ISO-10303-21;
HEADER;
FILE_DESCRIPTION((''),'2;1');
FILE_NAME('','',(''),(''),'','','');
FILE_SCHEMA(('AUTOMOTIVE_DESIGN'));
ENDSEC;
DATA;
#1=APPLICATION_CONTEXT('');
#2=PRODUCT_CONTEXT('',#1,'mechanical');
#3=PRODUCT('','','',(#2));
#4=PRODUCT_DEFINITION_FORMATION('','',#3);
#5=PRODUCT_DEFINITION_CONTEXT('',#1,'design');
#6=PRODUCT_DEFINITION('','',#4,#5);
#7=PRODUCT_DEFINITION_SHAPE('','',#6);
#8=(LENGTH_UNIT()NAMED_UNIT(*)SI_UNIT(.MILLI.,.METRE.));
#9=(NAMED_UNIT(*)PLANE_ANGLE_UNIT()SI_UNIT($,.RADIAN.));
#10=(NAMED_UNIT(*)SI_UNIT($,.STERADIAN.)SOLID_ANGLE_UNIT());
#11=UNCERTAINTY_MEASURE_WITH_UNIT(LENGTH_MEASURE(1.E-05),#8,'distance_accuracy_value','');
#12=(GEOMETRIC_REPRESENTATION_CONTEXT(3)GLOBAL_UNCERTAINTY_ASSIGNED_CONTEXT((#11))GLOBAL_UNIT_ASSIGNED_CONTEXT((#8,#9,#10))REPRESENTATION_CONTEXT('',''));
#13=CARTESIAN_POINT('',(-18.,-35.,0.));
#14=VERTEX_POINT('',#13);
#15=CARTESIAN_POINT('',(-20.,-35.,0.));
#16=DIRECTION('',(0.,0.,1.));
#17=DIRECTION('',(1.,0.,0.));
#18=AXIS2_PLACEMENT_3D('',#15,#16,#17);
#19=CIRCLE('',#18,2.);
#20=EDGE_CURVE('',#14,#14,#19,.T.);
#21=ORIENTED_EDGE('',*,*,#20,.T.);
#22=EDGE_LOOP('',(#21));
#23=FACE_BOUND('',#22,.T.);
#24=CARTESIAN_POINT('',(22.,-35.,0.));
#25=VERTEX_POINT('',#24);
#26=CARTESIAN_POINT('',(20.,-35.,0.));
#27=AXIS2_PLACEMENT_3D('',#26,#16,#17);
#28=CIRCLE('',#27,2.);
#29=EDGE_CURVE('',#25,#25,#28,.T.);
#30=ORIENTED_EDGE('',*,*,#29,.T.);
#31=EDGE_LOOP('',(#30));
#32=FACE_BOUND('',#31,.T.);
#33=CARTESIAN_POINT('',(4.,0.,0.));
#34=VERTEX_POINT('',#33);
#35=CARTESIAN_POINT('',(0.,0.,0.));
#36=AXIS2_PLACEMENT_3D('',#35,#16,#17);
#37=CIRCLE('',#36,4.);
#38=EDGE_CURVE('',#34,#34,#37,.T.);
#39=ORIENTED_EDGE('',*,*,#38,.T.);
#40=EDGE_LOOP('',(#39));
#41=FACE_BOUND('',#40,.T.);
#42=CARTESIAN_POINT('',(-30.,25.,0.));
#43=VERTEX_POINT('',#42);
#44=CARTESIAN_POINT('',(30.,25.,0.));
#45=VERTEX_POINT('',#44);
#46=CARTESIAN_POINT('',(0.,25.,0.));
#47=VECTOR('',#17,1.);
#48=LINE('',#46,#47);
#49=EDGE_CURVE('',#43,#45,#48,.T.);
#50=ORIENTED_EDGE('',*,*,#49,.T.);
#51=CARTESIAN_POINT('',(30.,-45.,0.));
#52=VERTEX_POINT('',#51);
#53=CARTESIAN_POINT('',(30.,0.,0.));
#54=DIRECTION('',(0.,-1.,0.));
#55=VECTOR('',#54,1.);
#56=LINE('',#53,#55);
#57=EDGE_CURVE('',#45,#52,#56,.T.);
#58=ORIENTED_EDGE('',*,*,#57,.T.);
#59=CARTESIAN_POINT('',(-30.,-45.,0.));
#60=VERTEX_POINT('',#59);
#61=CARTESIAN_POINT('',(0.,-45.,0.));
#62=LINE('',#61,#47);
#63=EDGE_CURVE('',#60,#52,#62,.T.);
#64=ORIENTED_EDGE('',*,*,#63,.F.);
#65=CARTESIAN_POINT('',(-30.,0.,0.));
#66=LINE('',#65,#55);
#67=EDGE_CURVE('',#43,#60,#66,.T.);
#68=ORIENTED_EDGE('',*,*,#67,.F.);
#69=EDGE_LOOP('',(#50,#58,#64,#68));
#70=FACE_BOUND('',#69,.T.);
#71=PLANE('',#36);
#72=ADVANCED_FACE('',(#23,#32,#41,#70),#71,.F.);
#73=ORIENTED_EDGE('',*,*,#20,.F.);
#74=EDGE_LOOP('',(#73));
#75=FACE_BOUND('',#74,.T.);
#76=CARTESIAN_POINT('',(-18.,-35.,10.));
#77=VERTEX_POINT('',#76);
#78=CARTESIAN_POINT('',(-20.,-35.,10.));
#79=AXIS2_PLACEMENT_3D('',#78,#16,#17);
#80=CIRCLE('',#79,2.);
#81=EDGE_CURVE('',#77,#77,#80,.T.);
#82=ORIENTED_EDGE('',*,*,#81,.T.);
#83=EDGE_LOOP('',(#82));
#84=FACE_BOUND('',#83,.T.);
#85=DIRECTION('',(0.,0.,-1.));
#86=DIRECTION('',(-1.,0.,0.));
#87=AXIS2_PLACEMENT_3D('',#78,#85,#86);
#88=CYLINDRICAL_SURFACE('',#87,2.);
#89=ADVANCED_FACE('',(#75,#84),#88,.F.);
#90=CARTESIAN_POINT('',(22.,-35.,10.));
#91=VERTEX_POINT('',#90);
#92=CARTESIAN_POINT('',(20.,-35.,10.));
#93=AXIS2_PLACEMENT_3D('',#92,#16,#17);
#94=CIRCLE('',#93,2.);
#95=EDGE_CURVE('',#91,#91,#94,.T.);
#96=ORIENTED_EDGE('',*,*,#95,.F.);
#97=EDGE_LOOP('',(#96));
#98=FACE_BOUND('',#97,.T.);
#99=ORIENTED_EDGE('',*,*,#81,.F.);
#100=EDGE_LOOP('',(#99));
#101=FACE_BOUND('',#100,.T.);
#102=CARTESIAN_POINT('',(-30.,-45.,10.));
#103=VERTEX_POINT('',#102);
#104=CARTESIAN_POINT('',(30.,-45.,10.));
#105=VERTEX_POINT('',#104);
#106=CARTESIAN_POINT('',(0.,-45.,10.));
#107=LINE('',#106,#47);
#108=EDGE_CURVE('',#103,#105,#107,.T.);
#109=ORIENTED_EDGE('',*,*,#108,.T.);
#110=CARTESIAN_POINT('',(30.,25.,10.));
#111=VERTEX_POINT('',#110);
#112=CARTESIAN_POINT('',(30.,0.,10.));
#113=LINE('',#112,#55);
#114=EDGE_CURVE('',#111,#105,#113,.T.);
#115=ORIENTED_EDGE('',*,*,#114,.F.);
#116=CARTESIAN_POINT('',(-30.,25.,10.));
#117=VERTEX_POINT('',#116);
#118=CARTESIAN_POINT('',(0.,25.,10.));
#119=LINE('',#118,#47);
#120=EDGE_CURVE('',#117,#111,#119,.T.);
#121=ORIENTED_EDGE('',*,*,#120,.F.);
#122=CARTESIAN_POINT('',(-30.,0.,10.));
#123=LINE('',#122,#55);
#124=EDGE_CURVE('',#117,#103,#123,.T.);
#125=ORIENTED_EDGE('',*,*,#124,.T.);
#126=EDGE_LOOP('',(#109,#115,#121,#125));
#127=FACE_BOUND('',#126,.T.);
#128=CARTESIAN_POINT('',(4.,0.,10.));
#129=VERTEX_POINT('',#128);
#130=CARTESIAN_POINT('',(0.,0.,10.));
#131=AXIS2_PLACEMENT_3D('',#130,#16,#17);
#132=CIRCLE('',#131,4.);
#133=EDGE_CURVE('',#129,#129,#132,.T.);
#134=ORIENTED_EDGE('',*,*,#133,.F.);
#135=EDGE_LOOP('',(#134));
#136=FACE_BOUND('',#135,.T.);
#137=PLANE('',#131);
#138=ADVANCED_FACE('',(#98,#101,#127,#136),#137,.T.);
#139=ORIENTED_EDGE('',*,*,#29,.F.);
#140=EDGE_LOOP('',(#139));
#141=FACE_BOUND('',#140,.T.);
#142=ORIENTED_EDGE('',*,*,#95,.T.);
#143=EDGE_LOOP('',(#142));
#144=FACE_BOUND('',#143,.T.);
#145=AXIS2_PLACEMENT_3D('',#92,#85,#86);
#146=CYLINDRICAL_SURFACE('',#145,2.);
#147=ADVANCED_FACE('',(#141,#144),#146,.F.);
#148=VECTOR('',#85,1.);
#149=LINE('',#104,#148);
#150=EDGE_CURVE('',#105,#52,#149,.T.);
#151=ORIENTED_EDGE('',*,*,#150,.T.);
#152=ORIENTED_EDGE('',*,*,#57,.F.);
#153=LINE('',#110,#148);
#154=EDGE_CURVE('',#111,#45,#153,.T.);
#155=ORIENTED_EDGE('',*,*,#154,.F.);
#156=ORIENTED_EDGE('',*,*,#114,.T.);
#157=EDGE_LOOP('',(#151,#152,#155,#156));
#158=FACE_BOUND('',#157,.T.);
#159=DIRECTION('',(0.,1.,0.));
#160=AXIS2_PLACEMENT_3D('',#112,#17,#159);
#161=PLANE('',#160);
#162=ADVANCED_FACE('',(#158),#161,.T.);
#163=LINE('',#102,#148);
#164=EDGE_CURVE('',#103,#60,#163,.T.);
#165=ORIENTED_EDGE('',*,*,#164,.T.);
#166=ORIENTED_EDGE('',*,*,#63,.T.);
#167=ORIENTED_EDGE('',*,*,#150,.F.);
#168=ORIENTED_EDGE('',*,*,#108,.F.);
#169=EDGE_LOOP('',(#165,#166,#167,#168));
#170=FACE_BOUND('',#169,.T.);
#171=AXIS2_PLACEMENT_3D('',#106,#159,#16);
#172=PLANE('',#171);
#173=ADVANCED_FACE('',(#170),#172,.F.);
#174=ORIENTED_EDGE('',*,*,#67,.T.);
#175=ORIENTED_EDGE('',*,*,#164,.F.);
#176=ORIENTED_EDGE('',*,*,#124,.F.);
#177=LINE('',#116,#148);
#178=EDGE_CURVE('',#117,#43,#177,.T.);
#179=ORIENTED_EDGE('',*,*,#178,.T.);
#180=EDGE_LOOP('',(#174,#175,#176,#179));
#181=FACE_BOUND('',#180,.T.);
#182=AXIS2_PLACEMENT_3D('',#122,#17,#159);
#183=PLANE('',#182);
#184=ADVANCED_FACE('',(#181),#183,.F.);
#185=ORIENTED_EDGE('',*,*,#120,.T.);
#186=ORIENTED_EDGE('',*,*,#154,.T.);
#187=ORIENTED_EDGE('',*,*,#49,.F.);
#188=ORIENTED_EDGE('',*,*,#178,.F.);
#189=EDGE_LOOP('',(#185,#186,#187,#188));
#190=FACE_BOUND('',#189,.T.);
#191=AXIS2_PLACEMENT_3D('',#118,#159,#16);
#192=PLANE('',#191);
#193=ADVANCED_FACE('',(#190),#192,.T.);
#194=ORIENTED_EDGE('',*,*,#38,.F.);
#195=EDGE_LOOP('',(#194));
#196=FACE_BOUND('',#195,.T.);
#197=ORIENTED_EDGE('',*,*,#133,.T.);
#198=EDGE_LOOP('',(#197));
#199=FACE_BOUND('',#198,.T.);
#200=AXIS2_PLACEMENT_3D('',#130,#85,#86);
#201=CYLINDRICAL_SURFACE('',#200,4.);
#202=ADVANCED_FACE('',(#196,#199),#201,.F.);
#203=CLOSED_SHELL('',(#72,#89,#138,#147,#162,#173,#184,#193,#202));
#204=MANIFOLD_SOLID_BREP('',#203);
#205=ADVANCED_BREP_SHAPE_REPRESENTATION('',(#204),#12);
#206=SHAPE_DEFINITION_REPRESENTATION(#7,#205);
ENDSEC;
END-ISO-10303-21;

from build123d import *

# Parameters (mm, degrees)
SKETCH1_W           = 60
SKETCH1_H           = 70
SKETCH1_R           = 11
SKETCH1_R_2         = 2
SKETCH1_R_3         = 4
BOSS_EXTRUDE1_DEPTH = 10


with BuildPart() as part:
    # Sketch1 → Boss-Extrude1 (new body)
    # profile 1 of 2: a face of its own
    with BuildSketch(Plane.XY):
        with Locations((0, -10)):
            Rectangle(SKETCH1_W, SKETCH1_H)
        Circle(SKETCH1_R, mode=Mode.SUBTRACT)
        with Locations((20, -35)):
            Circle(SKETCH1_R_2, mode=Mode.SUBTRACT)
        with Locations((-20, -35)):
            Circle(SKETCH1_R_2, mode=Mode.SUBTRACT)
    # profile 2 of 2: a face of its own
    with BuildSketch(Plane.XY):
        Circle(SKETCH1_R)
        Circle(SKETCH1_R_3, mode=Mode.SUBTRACT)
    extrude(amount=BOSS_EXTRUDE1_DEPTH)


solid = part.part
